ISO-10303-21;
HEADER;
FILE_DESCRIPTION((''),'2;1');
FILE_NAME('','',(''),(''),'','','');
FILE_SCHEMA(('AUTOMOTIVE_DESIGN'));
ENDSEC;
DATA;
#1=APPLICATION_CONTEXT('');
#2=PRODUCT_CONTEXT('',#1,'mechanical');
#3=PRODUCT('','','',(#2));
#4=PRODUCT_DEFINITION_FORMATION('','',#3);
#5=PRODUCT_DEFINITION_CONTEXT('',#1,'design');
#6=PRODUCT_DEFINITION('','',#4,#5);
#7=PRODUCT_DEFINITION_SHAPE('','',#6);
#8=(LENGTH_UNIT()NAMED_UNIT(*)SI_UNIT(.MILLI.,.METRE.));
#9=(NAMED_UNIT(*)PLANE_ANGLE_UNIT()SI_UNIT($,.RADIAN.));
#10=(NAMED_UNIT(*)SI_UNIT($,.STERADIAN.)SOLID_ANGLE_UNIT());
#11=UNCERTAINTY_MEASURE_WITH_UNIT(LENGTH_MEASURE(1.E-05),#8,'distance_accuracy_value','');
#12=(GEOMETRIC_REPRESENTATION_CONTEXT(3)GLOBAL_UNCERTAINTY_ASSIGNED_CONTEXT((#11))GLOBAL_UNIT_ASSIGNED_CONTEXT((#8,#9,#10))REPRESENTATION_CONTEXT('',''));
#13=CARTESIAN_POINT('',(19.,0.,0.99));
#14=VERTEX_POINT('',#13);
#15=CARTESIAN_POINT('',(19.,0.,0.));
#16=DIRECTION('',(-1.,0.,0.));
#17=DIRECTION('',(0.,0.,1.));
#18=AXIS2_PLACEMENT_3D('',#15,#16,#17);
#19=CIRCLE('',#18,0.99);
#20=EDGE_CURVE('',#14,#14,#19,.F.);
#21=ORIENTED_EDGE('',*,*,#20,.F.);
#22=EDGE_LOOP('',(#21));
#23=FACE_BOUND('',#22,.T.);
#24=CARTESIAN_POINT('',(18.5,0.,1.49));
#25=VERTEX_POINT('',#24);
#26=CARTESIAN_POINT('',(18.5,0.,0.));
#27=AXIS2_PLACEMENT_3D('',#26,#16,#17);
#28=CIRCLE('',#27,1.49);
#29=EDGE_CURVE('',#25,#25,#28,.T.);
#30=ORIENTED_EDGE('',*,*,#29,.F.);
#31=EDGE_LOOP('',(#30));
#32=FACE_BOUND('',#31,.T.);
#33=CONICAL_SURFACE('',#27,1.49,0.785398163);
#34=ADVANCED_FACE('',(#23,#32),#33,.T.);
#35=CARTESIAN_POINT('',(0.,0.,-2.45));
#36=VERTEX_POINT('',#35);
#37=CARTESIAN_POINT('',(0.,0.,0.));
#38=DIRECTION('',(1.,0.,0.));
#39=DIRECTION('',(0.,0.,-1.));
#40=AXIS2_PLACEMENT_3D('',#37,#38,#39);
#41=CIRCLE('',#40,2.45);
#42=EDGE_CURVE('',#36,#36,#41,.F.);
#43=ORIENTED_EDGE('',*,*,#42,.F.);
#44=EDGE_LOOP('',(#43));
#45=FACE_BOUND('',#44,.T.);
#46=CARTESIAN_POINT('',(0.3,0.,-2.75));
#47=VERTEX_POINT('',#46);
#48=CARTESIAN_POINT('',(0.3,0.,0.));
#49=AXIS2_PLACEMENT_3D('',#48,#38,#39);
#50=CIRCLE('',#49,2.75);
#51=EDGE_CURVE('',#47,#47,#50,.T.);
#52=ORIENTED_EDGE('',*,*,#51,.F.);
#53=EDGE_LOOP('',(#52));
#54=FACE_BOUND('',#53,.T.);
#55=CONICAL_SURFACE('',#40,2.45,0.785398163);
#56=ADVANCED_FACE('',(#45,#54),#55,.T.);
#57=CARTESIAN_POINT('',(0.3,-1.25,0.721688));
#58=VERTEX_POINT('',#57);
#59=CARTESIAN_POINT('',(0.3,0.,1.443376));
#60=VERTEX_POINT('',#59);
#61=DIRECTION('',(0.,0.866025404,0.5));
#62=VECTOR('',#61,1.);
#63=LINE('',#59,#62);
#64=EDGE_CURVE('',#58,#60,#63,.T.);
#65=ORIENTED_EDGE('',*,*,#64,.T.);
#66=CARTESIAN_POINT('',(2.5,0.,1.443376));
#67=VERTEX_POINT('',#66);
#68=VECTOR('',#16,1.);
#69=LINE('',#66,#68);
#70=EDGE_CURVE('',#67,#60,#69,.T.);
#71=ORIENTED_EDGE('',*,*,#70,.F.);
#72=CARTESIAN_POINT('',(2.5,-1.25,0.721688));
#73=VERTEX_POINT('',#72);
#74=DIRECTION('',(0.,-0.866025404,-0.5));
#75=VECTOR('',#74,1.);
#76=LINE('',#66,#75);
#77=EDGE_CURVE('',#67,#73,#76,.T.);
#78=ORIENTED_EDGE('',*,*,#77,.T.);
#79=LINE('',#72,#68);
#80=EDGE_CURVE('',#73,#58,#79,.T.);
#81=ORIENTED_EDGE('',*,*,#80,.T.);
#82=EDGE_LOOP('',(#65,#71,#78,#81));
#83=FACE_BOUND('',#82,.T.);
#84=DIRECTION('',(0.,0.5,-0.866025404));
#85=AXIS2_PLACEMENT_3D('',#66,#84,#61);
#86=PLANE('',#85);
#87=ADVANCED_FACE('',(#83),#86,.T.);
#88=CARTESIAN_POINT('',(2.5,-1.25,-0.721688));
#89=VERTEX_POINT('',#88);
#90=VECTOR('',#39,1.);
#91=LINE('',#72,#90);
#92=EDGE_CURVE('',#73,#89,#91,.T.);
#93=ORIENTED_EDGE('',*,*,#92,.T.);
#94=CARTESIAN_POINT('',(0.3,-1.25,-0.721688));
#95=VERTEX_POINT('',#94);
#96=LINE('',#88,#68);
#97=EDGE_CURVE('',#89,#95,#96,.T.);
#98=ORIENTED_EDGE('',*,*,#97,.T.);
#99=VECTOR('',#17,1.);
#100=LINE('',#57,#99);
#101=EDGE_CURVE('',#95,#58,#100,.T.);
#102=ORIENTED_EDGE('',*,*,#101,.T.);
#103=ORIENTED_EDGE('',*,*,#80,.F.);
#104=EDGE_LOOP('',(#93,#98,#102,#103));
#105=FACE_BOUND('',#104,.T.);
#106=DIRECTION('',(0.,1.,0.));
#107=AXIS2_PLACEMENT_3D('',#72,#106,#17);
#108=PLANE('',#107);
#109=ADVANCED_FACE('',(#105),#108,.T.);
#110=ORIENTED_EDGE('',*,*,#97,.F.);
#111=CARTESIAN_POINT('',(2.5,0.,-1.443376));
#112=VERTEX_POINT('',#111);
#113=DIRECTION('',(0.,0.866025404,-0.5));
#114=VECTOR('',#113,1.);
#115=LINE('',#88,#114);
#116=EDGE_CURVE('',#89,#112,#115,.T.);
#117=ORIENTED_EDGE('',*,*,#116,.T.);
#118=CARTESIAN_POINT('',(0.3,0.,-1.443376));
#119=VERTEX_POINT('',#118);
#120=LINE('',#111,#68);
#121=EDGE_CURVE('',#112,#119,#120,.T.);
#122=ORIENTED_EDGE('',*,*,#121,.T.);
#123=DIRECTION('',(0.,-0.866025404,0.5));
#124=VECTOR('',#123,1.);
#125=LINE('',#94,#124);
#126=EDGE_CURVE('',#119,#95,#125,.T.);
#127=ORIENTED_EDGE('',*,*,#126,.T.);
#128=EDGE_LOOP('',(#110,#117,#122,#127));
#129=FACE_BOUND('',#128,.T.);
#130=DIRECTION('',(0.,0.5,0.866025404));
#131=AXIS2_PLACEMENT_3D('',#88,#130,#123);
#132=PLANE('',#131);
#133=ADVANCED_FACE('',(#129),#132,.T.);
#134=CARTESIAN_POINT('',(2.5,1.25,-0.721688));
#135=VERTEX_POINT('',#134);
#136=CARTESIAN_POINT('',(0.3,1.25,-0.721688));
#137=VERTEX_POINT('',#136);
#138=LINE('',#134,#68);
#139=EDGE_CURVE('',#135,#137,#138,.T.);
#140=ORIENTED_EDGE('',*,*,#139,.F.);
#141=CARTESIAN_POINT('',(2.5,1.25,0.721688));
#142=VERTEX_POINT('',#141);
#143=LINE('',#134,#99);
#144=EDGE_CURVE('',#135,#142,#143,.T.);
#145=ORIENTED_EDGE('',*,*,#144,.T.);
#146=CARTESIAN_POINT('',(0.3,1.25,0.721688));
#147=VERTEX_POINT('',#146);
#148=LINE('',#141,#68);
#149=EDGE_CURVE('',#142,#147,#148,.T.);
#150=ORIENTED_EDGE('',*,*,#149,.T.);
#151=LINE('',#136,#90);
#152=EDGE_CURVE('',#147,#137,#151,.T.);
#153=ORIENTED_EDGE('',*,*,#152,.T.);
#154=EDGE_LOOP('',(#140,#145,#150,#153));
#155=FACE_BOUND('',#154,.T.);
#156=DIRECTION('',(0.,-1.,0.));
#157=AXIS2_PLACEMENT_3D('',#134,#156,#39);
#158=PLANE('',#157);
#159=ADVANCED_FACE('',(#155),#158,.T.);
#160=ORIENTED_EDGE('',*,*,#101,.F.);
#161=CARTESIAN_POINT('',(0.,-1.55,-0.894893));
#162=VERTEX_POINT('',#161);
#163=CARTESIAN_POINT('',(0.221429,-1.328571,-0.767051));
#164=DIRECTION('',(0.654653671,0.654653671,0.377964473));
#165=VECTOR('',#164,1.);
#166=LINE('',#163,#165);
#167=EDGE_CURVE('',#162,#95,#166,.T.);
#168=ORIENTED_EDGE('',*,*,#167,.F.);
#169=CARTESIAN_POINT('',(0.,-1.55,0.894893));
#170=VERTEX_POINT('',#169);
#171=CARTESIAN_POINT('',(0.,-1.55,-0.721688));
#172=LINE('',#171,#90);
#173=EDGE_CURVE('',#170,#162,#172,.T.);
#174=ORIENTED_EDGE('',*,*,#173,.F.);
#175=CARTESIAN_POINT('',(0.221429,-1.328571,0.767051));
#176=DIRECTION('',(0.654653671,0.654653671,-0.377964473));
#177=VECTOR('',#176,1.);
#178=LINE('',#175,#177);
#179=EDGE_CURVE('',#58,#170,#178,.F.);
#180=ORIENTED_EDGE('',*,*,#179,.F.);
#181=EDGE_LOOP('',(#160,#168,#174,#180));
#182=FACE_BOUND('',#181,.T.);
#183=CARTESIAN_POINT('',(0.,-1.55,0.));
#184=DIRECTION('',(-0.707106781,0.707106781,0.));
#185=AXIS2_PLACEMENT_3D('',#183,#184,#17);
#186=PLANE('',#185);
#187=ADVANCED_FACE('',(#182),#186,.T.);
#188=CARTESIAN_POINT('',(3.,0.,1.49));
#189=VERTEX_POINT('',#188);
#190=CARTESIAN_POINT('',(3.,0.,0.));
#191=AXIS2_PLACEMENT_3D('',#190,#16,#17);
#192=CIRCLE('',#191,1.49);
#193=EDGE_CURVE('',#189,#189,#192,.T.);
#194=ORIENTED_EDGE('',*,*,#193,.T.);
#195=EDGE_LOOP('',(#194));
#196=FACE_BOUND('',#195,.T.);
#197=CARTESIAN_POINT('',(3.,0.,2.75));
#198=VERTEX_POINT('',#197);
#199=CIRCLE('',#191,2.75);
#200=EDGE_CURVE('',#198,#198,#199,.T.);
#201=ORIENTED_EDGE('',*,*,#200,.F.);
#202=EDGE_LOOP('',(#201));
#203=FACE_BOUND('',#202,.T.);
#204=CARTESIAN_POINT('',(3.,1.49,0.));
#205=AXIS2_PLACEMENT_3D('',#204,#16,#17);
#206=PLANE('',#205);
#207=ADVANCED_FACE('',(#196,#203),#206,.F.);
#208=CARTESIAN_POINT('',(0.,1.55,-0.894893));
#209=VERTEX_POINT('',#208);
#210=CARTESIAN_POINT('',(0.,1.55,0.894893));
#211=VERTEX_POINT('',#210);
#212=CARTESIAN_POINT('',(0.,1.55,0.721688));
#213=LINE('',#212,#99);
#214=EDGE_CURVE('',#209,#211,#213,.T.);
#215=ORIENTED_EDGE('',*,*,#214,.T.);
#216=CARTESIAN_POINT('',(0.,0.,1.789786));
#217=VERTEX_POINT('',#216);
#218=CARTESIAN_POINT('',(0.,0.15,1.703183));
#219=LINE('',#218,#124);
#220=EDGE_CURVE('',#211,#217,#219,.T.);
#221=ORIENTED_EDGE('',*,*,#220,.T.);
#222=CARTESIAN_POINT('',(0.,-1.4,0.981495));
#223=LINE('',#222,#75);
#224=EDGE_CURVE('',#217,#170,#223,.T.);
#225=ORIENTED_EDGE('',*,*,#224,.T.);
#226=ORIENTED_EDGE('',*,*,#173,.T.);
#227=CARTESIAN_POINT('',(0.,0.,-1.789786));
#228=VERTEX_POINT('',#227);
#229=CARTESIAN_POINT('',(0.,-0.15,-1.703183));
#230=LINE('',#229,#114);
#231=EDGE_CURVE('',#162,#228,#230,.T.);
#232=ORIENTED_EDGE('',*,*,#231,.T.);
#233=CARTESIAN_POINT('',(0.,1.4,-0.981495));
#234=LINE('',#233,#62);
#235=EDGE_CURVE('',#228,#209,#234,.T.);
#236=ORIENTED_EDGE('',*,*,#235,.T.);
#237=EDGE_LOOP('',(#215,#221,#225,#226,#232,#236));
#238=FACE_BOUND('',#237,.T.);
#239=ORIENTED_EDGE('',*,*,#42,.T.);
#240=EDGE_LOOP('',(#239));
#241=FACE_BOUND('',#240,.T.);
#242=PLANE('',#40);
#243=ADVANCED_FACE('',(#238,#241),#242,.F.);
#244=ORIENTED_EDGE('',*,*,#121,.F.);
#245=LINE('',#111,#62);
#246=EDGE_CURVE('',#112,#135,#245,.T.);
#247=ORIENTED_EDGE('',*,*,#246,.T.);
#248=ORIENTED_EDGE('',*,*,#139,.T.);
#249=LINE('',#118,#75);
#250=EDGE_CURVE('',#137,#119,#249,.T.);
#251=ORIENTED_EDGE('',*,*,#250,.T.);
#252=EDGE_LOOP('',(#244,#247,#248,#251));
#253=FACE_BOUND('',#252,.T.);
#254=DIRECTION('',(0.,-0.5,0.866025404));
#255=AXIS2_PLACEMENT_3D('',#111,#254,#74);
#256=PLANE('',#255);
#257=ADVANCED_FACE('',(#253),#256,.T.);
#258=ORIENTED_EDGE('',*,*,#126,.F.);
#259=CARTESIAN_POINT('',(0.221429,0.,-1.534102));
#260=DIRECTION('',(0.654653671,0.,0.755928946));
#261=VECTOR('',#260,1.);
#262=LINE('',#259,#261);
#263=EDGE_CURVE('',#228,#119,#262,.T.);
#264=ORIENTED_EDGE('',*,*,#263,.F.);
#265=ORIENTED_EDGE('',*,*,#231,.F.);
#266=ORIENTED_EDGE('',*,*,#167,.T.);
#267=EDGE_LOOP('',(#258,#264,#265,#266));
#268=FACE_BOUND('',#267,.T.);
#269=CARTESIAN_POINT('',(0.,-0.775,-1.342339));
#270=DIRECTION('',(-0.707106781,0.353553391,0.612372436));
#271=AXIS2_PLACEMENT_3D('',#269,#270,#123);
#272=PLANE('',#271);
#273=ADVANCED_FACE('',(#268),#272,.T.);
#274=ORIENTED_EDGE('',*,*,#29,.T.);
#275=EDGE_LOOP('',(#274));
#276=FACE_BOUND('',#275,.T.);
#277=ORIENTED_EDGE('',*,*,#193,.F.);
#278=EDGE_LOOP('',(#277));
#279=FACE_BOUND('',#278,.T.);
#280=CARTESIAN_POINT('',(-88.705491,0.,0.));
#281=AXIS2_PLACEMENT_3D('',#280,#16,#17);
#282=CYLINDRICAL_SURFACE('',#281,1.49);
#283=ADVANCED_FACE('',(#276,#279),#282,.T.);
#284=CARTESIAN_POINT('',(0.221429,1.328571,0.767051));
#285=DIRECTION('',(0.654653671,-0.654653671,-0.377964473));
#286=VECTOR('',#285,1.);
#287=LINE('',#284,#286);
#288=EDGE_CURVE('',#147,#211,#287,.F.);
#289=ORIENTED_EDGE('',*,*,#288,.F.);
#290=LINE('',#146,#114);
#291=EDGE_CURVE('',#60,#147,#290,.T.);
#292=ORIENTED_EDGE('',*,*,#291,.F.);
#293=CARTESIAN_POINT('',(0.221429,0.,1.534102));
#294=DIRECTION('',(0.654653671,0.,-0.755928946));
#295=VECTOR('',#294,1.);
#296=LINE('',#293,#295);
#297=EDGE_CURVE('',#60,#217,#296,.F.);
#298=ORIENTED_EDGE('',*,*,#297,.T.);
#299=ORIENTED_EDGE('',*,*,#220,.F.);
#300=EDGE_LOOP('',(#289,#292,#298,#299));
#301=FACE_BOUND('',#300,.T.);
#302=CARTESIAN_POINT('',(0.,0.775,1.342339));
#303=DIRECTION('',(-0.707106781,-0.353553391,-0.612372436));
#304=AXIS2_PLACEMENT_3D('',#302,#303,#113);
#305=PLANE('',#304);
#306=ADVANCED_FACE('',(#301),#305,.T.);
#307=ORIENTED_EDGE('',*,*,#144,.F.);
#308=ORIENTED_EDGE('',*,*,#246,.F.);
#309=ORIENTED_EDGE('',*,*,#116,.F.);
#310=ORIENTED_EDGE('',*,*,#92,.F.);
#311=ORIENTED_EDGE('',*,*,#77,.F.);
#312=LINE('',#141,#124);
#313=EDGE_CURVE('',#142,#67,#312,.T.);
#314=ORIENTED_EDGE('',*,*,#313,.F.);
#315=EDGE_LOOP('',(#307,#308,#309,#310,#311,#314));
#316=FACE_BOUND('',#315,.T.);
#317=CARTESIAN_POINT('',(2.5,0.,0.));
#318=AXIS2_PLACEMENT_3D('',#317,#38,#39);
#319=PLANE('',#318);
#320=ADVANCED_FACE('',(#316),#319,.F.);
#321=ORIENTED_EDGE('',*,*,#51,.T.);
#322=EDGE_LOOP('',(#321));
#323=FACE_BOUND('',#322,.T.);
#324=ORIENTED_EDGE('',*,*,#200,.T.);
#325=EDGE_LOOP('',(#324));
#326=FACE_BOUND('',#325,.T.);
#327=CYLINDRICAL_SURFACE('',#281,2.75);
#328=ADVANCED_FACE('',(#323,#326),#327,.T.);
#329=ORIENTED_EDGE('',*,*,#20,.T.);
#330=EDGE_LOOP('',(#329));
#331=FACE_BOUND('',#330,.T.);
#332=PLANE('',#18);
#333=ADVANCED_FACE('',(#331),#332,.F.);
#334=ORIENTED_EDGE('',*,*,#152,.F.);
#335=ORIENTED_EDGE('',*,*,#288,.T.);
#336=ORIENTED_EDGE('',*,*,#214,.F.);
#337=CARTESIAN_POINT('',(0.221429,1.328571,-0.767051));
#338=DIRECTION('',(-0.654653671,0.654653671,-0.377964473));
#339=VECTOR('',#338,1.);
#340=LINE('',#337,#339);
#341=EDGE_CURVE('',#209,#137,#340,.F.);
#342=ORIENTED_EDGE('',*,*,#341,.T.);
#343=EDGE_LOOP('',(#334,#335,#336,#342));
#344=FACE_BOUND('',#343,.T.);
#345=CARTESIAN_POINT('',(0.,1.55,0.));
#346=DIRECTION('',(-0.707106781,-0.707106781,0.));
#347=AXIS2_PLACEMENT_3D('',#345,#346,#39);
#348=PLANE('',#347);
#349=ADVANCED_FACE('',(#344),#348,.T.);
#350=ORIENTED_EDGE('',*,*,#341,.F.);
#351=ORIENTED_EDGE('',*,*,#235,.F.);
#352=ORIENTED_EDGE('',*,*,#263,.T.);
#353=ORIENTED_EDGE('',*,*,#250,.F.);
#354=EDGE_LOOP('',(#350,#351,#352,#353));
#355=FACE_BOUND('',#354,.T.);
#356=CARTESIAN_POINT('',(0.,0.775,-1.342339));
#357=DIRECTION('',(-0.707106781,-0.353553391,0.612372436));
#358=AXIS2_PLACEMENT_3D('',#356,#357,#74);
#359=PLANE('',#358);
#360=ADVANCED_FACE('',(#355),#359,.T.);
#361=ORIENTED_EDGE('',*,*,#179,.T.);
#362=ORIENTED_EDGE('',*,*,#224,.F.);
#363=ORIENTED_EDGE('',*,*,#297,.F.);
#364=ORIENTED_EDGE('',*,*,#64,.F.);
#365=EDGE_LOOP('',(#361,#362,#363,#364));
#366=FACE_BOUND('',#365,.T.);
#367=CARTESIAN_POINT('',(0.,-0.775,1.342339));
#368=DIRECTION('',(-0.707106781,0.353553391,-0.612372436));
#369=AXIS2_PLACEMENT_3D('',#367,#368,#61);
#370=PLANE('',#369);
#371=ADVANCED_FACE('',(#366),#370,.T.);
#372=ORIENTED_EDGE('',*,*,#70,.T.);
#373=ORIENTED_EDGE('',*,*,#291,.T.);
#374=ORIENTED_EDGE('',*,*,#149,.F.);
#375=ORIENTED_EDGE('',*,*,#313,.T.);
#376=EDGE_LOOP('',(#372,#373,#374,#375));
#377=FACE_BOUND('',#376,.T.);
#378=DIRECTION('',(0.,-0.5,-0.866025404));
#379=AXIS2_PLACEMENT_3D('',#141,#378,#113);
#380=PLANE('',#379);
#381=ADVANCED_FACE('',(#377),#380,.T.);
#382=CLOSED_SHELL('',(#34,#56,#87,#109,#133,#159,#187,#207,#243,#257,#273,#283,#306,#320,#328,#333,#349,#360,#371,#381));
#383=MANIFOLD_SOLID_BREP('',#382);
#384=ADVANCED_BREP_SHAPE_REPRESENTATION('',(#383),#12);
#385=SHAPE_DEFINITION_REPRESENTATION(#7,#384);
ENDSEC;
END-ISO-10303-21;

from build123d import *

# Parameters (mm, degrees)
CHAMFER1_SIZE      = 0.5
CHAMFER2_SIZE      = 0.3
CUT_EXTRUDE1_DEPTH = 2.5
CHAMFER3_SIZE      = 0.3


with BuildPart() as part:
    # Sketch1 → Revolve1 (revolve)
    with BuildSketch(Plane.XY):
        Polygon((0, 0), (0, 2.75), (3, 2.75), (3, 1.49), (19, 1.49), (19, 0), align=None)
    revolve(axis=Axis((-88.705490849, 0, 0), (1, 0, 0)))

    # Chamfer1
    chamfer1_edges = [part.edges().sort_by_distance(p)[0] for p in [
        (19, -1.49, 0),
    ]]
    chamfer(chamfer1_edges, length=CHAMFER1_SIZE)

    # Chamfer2
    chamfer2_edges = [part.edges().sort_by_distance(p)[0] for p in [
        (0, -2.75, 0),
    ]]
    chamfer(chamfer2_edges, length=CHAMFER2_SIZE)

    # Sketch3 → Cut-Extrude1 (cut)
    with BuildSketch(Plane(origin=(0, 0, 0), x_dir=(0, 0, -1), z_dir=(1, 0, 0))):
        Polygon((-1.443375673, 0), (-0.721687836, -1.25), (0.721687836, -1.25), (1.443375673, 0), (0.721687836, 1.25), (-0.721687836, 1.25), align=None)
    extrude(amount=CUT_EXTRUDE1_DEPTH, mode=Mode.SUBTRACT)

    # Chamfer3
    chamfer3_edges = [part.edges().sort_by_distance(p)[0] for p in [
        (0, 0.625, 1.082531755),
        (0, -0.625, 1.082531755),
        (0, -1.25, 0),
        (0, -0.625, -1.082531755),
        (0, 0.625, -1.082531755),
        (0, 1.25, 0),
    ]]
    chamfer(chamfer3_edges, length=CHAMFER3_SIZE)


solid = part.part
